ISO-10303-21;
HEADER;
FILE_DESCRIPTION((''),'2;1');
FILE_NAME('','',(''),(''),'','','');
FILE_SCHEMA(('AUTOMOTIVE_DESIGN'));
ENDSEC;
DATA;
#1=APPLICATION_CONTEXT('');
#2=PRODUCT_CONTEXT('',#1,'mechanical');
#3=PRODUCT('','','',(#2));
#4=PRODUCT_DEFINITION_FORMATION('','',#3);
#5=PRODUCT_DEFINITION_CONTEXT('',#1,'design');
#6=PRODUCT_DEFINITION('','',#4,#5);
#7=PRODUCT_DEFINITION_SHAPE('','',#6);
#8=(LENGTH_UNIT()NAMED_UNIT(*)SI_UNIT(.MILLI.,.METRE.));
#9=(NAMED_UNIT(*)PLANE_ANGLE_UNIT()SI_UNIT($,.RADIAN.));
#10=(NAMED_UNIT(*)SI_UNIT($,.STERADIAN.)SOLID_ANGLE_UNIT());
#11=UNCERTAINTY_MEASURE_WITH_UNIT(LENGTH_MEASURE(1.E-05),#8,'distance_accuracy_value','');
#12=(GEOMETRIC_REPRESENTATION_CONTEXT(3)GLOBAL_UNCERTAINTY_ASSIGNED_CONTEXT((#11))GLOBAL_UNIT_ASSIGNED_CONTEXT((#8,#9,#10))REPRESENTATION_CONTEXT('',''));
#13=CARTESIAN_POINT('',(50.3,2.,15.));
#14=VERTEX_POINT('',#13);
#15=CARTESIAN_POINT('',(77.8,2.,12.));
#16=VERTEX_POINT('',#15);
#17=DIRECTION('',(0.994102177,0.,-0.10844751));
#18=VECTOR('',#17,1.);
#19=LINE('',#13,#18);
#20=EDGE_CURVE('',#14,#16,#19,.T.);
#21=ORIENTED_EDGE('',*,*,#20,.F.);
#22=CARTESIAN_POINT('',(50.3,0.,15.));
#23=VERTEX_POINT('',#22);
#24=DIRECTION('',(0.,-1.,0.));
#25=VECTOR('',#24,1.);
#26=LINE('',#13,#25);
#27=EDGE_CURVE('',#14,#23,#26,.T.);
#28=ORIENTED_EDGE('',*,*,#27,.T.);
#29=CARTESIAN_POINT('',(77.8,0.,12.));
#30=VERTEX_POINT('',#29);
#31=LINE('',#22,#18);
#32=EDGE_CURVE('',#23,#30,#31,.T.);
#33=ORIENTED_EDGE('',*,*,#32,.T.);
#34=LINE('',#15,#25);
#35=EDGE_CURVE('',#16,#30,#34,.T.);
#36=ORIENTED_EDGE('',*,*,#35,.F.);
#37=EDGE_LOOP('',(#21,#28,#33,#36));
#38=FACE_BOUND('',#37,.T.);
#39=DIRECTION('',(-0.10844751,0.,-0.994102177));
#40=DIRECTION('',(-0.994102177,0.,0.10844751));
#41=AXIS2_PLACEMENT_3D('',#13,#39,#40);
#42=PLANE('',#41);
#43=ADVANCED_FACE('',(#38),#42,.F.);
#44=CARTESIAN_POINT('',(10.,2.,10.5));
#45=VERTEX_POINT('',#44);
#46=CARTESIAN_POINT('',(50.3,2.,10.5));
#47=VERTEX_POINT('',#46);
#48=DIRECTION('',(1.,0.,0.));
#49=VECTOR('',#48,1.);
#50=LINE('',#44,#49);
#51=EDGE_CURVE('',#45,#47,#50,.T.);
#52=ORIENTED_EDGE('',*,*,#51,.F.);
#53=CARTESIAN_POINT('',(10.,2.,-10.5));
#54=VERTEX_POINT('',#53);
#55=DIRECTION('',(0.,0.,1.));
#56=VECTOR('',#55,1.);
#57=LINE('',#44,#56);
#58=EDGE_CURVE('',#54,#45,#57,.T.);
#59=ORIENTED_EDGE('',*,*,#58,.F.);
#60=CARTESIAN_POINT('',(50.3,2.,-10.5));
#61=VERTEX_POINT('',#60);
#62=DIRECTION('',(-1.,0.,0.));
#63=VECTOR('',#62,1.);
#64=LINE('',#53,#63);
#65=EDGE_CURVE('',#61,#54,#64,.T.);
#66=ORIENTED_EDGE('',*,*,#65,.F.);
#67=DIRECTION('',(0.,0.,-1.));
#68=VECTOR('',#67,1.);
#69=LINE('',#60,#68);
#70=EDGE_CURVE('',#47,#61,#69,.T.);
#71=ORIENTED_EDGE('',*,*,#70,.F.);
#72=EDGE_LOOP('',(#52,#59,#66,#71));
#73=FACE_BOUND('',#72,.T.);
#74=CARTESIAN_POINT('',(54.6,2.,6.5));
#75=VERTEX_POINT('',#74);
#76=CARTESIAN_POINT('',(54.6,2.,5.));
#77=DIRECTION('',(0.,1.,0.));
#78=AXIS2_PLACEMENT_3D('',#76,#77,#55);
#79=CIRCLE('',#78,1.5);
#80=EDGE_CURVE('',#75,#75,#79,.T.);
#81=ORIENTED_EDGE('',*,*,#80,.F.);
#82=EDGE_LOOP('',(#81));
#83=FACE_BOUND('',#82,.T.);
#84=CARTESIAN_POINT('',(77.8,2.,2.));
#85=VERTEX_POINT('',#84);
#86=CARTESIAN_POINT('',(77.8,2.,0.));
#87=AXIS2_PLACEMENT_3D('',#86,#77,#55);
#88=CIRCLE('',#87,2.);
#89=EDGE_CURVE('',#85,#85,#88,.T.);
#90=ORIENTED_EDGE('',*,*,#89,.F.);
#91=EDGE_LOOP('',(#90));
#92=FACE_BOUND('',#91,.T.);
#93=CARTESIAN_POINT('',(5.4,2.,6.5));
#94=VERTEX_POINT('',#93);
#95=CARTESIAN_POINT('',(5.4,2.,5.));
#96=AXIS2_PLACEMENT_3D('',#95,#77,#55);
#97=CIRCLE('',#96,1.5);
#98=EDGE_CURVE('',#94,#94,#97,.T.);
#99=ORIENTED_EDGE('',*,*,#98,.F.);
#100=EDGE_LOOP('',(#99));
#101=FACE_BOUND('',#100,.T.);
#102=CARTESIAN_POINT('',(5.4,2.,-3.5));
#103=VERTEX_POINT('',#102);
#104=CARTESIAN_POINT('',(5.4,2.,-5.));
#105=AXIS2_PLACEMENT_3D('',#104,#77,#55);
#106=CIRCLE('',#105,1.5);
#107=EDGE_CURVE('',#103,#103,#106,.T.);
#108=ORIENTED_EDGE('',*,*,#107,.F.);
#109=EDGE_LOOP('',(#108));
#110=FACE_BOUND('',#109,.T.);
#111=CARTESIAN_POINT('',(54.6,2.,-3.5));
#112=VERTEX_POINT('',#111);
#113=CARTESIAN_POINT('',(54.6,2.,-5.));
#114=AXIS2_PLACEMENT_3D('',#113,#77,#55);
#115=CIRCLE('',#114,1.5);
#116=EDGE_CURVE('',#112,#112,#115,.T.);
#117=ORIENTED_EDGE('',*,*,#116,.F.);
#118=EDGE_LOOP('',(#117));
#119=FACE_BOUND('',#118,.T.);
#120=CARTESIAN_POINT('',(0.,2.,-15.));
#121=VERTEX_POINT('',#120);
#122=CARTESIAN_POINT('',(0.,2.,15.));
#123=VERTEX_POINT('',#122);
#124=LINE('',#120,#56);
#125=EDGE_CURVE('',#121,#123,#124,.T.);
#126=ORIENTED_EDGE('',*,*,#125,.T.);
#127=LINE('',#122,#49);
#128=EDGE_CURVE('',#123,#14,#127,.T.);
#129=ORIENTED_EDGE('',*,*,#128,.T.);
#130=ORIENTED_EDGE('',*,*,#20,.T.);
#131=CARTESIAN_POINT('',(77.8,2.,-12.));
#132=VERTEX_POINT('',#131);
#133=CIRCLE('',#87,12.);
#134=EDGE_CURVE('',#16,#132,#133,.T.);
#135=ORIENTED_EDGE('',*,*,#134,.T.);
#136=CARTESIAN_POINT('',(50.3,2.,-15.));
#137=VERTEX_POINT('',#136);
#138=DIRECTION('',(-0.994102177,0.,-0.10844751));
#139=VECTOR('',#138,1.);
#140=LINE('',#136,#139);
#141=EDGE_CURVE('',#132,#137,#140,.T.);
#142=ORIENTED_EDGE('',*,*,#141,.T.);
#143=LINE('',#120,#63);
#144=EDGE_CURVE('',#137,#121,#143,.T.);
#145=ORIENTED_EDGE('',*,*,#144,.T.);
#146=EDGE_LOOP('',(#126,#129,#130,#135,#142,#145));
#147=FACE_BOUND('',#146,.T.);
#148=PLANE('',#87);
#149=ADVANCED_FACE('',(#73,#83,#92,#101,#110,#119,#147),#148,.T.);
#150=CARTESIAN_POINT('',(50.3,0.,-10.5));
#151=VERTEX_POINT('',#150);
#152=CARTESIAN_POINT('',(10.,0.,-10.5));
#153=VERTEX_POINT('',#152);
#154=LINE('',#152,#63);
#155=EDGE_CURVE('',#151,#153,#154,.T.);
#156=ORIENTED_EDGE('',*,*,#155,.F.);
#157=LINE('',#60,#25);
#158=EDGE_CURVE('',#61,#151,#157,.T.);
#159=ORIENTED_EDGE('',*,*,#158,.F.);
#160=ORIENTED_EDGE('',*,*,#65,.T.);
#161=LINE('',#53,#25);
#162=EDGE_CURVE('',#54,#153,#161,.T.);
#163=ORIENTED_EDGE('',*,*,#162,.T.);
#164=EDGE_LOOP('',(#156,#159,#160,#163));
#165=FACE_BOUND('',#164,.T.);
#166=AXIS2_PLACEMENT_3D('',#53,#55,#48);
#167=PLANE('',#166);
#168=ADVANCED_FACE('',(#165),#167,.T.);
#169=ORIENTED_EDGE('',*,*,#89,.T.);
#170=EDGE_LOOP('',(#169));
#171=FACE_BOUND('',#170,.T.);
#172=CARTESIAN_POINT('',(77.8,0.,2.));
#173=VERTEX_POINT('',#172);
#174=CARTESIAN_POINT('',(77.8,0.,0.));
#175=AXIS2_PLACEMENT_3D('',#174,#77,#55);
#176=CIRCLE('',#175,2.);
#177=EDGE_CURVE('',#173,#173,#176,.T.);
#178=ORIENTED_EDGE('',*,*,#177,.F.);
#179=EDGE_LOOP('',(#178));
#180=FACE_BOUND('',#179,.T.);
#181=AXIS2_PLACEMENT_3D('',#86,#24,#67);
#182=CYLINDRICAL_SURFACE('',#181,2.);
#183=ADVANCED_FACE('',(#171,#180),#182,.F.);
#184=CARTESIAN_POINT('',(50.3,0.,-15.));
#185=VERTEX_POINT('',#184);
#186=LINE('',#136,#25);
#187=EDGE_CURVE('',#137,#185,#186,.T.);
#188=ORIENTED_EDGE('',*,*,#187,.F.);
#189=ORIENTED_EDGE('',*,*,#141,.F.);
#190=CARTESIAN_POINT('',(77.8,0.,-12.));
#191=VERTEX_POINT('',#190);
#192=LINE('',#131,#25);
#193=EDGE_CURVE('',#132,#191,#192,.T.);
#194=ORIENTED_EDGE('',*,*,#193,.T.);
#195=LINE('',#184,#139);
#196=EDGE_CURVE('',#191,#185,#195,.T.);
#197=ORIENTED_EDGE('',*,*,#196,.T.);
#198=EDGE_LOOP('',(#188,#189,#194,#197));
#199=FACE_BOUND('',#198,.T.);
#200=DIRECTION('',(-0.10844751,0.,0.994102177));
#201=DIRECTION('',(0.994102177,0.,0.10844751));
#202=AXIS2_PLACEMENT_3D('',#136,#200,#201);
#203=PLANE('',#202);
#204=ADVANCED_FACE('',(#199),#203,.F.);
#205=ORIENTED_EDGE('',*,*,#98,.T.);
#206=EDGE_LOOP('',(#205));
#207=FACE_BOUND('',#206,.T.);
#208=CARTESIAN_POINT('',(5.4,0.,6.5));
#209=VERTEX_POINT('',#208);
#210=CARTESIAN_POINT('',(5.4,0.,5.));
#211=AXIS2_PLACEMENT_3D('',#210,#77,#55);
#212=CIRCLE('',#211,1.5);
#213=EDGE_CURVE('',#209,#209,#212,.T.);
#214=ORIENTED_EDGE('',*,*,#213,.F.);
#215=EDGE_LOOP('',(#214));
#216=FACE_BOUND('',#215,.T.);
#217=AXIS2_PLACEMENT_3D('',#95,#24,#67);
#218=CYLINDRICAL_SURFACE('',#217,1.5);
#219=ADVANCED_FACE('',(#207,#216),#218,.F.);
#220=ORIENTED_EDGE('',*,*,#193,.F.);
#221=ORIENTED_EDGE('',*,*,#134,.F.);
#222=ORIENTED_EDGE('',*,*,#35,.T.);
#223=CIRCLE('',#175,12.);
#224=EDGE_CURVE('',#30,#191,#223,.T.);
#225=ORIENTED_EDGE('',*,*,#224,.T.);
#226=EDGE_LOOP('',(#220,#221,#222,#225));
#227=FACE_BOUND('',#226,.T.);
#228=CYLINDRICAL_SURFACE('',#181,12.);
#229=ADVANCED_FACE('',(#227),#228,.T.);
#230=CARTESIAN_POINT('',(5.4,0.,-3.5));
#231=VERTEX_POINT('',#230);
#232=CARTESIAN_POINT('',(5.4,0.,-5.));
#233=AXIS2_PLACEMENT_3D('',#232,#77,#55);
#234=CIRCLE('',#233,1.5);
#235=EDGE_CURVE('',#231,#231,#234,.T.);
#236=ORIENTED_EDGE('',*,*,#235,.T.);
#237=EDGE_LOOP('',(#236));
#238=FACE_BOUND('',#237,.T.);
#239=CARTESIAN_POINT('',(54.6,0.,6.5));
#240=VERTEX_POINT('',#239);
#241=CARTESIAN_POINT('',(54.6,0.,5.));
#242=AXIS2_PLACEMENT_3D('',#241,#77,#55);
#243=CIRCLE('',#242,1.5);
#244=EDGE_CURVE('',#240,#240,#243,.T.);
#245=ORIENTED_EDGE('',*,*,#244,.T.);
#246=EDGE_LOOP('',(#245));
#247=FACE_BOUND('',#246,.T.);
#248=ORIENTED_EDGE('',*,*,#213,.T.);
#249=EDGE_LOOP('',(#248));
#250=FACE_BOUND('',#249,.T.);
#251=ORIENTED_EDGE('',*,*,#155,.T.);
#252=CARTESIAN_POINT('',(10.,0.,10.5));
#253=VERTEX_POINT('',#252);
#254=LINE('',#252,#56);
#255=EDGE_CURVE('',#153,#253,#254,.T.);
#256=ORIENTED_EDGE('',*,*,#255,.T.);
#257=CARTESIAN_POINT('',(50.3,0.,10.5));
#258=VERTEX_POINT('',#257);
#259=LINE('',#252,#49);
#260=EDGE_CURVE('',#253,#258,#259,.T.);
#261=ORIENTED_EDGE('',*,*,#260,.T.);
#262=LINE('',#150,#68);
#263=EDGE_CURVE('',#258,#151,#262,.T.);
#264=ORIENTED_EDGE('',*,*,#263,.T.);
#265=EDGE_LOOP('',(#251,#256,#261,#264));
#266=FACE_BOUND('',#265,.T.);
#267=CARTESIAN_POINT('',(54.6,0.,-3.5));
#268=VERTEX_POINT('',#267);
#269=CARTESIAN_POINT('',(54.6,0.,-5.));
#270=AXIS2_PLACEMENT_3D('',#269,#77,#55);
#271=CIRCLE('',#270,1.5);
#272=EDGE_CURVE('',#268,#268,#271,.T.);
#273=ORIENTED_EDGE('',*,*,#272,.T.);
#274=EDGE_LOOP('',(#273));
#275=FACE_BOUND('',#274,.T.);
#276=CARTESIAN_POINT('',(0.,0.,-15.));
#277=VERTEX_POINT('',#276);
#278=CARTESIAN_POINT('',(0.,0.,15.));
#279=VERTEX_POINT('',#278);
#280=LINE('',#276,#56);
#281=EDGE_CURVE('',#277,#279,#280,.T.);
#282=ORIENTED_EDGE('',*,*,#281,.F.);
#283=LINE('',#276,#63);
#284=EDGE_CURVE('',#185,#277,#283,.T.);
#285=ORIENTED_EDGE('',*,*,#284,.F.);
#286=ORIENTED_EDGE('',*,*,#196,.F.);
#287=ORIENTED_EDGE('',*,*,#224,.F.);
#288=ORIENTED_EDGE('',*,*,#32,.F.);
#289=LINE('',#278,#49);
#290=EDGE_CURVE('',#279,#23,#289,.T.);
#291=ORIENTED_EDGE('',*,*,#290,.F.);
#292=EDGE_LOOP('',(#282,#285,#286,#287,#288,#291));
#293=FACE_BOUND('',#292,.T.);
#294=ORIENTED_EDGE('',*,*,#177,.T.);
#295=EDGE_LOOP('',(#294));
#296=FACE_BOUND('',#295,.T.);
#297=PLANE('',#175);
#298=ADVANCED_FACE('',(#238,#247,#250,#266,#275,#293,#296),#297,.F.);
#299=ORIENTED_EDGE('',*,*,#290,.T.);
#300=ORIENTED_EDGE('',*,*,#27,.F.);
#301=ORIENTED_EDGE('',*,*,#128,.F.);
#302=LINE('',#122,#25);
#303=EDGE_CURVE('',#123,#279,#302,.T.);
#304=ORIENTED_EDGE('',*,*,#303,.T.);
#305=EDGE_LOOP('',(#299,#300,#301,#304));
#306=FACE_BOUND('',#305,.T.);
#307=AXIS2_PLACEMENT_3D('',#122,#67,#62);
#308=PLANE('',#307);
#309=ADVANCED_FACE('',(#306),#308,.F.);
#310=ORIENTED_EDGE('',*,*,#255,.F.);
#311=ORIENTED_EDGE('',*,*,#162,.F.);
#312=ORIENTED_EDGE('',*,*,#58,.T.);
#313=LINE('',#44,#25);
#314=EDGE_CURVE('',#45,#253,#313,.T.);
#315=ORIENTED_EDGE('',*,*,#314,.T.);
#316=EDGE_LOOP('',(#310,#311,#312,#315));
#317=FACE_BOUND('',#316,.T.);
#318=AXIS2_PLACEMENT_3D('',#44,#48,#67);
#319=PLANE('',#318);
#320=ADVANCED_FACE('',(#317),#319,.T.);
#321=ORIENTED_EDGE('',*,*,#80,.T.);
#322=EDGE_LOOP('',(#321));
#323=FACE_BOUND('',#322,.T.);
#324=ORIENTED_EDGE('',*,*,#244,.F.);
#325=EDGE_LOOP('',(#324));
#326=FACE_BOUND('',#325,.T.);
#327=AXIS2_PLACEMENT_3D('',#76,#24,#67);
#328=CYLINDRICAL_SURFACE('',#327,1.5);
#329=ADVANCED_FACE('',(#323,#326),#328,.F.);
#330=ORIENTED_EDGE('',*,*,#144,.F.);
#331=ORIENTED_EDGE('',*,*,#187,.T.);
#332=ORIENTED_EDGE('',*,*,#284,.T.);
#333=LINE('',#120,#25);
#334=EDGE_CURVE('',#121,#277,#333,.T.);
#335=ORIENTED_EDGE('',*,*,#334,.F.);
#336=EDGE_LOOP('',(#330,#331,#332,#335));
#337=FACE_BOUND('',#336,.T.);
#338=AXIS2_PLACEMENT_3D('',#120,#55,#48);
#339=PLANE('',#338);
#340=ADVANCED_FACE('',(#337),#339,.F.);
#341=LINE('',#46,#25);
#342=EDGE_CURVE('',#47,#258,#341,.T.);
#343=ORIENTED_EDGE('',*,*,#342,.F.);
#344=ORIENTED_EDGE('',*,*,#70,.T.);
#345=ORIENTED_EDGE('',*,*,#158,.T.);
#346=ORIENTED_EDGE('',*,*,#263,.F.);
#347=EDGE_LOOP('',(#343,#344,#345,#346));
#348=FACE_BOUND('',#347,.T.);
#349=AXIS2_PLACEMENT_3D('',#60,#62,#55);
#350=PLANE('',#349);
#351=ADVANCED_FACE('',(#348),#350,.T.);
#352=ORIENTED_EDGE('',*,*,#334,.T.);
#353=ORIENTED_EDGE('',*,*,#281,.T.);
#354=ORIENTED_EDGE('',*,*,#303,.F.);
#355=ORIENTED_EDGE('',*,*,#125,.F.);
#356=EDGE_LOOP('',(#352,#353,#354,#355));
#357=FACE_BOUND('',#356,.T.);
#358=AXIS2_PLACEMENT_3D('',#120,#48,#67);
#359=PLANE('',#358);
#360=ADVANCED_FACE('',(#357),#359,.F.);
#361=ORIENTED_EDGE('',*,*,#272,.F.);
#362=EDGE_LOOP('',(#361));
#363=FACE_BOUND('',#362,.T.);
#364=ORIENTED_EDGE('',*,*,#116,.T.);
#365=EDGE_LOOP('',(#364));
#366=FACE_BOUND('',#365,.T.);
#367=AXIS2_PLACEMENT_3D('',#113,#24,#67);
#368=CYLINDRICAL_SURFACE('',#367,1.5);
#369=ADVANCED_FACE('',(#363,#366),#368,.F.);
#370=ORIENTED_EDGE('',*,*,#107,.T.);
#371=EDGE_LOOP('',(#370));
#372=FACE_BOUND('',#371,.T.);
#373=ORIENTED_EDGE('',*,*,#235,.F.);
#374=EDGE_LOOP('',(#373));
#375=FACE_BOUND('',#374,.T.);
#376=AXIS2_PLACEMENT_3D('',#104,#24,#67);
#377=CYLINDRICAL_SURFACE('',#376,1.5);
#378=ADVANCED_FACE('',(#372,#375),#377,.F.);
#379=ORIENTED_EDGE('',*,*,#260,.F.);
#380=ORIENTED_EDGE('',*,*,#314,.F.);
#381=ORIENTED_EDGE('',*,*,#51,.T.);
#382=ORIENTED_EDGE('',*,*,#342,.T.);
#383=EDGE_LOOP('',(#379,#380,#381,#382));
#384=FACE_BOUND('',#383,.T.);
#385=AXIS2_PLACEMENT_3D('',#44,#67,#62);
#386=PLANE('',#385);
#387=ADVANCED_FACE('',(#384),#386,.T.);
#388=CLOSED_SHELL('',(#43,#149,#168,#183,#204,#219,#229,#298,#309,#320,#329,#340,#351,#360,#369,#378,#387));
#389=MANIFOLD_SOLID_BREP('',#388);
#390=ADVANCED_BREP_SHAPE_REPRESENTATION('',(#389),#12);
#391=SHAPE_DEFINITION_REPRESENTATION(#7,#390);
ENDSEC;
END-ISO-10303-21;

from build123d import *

# Parameters (mm, degrees)
SKETCH_1_R         = 1.5
SKETCH_1_R_2       = 2
SKETCH_1_W         = 40.3
SKETCH_1_H         = 21
EXTRUDE_1090_DEPTH = 2


with BuildPart() as part:
    # Эскиз1 → Extrude 1090 (new body)
    with BuildSketch(Plane(origin=(0, 0, 0), x_dir=(1, 0, 0), z_dir=(0, 1, 0))):
        with BuildLine():
            Line((0, 15), (50.3, 15))
            Line((50.3, 15), (77.8, 12))
            ThreePointArc((77.8, 12), (89.8, 0), (77.8, -12))
            Line((77.8, -12), (50.3, -15))
            Line((50.3, -15), (0, -15))
            Line((0, -15), (0, 15))
        make_face()
        with Locations(Location((5.4, -5, 0), (0, 0, 270))):
            Circle(SKETCH_1_R, mode=Mode.SUBTRACT)
        with Locations(Location((5.4, 5, 0), (0, 0, 270))):
            Circle(SKETCH_1_R, mode=Mode.SUBTRACT)
        with Locations(Location((54.6, -5, 0), (0, 0, 270))):
            Circle(SKETCH_1_R, mode=Mode.SUBTRACT)
        with Locations(Location((54.6, 5, 0), (0, 0, 270))):
            Circle(SKETCH_1_R, mode=Mode.SUBTRACT)
        with Locations(Location((77.8, 0, 0), (0, 0, 270))):
            Circle(SKETCH_1_R_2, mode=Mode.SUBTRACT)
        with Locations((30.15, 0)):
            Rectangle(SKETCH_1_W, SKETCH_1_H, mode=Mode.SUBTRACT)
    extrude(amount=EXTRUDE_1090_DEPTH)


solid = part.part
